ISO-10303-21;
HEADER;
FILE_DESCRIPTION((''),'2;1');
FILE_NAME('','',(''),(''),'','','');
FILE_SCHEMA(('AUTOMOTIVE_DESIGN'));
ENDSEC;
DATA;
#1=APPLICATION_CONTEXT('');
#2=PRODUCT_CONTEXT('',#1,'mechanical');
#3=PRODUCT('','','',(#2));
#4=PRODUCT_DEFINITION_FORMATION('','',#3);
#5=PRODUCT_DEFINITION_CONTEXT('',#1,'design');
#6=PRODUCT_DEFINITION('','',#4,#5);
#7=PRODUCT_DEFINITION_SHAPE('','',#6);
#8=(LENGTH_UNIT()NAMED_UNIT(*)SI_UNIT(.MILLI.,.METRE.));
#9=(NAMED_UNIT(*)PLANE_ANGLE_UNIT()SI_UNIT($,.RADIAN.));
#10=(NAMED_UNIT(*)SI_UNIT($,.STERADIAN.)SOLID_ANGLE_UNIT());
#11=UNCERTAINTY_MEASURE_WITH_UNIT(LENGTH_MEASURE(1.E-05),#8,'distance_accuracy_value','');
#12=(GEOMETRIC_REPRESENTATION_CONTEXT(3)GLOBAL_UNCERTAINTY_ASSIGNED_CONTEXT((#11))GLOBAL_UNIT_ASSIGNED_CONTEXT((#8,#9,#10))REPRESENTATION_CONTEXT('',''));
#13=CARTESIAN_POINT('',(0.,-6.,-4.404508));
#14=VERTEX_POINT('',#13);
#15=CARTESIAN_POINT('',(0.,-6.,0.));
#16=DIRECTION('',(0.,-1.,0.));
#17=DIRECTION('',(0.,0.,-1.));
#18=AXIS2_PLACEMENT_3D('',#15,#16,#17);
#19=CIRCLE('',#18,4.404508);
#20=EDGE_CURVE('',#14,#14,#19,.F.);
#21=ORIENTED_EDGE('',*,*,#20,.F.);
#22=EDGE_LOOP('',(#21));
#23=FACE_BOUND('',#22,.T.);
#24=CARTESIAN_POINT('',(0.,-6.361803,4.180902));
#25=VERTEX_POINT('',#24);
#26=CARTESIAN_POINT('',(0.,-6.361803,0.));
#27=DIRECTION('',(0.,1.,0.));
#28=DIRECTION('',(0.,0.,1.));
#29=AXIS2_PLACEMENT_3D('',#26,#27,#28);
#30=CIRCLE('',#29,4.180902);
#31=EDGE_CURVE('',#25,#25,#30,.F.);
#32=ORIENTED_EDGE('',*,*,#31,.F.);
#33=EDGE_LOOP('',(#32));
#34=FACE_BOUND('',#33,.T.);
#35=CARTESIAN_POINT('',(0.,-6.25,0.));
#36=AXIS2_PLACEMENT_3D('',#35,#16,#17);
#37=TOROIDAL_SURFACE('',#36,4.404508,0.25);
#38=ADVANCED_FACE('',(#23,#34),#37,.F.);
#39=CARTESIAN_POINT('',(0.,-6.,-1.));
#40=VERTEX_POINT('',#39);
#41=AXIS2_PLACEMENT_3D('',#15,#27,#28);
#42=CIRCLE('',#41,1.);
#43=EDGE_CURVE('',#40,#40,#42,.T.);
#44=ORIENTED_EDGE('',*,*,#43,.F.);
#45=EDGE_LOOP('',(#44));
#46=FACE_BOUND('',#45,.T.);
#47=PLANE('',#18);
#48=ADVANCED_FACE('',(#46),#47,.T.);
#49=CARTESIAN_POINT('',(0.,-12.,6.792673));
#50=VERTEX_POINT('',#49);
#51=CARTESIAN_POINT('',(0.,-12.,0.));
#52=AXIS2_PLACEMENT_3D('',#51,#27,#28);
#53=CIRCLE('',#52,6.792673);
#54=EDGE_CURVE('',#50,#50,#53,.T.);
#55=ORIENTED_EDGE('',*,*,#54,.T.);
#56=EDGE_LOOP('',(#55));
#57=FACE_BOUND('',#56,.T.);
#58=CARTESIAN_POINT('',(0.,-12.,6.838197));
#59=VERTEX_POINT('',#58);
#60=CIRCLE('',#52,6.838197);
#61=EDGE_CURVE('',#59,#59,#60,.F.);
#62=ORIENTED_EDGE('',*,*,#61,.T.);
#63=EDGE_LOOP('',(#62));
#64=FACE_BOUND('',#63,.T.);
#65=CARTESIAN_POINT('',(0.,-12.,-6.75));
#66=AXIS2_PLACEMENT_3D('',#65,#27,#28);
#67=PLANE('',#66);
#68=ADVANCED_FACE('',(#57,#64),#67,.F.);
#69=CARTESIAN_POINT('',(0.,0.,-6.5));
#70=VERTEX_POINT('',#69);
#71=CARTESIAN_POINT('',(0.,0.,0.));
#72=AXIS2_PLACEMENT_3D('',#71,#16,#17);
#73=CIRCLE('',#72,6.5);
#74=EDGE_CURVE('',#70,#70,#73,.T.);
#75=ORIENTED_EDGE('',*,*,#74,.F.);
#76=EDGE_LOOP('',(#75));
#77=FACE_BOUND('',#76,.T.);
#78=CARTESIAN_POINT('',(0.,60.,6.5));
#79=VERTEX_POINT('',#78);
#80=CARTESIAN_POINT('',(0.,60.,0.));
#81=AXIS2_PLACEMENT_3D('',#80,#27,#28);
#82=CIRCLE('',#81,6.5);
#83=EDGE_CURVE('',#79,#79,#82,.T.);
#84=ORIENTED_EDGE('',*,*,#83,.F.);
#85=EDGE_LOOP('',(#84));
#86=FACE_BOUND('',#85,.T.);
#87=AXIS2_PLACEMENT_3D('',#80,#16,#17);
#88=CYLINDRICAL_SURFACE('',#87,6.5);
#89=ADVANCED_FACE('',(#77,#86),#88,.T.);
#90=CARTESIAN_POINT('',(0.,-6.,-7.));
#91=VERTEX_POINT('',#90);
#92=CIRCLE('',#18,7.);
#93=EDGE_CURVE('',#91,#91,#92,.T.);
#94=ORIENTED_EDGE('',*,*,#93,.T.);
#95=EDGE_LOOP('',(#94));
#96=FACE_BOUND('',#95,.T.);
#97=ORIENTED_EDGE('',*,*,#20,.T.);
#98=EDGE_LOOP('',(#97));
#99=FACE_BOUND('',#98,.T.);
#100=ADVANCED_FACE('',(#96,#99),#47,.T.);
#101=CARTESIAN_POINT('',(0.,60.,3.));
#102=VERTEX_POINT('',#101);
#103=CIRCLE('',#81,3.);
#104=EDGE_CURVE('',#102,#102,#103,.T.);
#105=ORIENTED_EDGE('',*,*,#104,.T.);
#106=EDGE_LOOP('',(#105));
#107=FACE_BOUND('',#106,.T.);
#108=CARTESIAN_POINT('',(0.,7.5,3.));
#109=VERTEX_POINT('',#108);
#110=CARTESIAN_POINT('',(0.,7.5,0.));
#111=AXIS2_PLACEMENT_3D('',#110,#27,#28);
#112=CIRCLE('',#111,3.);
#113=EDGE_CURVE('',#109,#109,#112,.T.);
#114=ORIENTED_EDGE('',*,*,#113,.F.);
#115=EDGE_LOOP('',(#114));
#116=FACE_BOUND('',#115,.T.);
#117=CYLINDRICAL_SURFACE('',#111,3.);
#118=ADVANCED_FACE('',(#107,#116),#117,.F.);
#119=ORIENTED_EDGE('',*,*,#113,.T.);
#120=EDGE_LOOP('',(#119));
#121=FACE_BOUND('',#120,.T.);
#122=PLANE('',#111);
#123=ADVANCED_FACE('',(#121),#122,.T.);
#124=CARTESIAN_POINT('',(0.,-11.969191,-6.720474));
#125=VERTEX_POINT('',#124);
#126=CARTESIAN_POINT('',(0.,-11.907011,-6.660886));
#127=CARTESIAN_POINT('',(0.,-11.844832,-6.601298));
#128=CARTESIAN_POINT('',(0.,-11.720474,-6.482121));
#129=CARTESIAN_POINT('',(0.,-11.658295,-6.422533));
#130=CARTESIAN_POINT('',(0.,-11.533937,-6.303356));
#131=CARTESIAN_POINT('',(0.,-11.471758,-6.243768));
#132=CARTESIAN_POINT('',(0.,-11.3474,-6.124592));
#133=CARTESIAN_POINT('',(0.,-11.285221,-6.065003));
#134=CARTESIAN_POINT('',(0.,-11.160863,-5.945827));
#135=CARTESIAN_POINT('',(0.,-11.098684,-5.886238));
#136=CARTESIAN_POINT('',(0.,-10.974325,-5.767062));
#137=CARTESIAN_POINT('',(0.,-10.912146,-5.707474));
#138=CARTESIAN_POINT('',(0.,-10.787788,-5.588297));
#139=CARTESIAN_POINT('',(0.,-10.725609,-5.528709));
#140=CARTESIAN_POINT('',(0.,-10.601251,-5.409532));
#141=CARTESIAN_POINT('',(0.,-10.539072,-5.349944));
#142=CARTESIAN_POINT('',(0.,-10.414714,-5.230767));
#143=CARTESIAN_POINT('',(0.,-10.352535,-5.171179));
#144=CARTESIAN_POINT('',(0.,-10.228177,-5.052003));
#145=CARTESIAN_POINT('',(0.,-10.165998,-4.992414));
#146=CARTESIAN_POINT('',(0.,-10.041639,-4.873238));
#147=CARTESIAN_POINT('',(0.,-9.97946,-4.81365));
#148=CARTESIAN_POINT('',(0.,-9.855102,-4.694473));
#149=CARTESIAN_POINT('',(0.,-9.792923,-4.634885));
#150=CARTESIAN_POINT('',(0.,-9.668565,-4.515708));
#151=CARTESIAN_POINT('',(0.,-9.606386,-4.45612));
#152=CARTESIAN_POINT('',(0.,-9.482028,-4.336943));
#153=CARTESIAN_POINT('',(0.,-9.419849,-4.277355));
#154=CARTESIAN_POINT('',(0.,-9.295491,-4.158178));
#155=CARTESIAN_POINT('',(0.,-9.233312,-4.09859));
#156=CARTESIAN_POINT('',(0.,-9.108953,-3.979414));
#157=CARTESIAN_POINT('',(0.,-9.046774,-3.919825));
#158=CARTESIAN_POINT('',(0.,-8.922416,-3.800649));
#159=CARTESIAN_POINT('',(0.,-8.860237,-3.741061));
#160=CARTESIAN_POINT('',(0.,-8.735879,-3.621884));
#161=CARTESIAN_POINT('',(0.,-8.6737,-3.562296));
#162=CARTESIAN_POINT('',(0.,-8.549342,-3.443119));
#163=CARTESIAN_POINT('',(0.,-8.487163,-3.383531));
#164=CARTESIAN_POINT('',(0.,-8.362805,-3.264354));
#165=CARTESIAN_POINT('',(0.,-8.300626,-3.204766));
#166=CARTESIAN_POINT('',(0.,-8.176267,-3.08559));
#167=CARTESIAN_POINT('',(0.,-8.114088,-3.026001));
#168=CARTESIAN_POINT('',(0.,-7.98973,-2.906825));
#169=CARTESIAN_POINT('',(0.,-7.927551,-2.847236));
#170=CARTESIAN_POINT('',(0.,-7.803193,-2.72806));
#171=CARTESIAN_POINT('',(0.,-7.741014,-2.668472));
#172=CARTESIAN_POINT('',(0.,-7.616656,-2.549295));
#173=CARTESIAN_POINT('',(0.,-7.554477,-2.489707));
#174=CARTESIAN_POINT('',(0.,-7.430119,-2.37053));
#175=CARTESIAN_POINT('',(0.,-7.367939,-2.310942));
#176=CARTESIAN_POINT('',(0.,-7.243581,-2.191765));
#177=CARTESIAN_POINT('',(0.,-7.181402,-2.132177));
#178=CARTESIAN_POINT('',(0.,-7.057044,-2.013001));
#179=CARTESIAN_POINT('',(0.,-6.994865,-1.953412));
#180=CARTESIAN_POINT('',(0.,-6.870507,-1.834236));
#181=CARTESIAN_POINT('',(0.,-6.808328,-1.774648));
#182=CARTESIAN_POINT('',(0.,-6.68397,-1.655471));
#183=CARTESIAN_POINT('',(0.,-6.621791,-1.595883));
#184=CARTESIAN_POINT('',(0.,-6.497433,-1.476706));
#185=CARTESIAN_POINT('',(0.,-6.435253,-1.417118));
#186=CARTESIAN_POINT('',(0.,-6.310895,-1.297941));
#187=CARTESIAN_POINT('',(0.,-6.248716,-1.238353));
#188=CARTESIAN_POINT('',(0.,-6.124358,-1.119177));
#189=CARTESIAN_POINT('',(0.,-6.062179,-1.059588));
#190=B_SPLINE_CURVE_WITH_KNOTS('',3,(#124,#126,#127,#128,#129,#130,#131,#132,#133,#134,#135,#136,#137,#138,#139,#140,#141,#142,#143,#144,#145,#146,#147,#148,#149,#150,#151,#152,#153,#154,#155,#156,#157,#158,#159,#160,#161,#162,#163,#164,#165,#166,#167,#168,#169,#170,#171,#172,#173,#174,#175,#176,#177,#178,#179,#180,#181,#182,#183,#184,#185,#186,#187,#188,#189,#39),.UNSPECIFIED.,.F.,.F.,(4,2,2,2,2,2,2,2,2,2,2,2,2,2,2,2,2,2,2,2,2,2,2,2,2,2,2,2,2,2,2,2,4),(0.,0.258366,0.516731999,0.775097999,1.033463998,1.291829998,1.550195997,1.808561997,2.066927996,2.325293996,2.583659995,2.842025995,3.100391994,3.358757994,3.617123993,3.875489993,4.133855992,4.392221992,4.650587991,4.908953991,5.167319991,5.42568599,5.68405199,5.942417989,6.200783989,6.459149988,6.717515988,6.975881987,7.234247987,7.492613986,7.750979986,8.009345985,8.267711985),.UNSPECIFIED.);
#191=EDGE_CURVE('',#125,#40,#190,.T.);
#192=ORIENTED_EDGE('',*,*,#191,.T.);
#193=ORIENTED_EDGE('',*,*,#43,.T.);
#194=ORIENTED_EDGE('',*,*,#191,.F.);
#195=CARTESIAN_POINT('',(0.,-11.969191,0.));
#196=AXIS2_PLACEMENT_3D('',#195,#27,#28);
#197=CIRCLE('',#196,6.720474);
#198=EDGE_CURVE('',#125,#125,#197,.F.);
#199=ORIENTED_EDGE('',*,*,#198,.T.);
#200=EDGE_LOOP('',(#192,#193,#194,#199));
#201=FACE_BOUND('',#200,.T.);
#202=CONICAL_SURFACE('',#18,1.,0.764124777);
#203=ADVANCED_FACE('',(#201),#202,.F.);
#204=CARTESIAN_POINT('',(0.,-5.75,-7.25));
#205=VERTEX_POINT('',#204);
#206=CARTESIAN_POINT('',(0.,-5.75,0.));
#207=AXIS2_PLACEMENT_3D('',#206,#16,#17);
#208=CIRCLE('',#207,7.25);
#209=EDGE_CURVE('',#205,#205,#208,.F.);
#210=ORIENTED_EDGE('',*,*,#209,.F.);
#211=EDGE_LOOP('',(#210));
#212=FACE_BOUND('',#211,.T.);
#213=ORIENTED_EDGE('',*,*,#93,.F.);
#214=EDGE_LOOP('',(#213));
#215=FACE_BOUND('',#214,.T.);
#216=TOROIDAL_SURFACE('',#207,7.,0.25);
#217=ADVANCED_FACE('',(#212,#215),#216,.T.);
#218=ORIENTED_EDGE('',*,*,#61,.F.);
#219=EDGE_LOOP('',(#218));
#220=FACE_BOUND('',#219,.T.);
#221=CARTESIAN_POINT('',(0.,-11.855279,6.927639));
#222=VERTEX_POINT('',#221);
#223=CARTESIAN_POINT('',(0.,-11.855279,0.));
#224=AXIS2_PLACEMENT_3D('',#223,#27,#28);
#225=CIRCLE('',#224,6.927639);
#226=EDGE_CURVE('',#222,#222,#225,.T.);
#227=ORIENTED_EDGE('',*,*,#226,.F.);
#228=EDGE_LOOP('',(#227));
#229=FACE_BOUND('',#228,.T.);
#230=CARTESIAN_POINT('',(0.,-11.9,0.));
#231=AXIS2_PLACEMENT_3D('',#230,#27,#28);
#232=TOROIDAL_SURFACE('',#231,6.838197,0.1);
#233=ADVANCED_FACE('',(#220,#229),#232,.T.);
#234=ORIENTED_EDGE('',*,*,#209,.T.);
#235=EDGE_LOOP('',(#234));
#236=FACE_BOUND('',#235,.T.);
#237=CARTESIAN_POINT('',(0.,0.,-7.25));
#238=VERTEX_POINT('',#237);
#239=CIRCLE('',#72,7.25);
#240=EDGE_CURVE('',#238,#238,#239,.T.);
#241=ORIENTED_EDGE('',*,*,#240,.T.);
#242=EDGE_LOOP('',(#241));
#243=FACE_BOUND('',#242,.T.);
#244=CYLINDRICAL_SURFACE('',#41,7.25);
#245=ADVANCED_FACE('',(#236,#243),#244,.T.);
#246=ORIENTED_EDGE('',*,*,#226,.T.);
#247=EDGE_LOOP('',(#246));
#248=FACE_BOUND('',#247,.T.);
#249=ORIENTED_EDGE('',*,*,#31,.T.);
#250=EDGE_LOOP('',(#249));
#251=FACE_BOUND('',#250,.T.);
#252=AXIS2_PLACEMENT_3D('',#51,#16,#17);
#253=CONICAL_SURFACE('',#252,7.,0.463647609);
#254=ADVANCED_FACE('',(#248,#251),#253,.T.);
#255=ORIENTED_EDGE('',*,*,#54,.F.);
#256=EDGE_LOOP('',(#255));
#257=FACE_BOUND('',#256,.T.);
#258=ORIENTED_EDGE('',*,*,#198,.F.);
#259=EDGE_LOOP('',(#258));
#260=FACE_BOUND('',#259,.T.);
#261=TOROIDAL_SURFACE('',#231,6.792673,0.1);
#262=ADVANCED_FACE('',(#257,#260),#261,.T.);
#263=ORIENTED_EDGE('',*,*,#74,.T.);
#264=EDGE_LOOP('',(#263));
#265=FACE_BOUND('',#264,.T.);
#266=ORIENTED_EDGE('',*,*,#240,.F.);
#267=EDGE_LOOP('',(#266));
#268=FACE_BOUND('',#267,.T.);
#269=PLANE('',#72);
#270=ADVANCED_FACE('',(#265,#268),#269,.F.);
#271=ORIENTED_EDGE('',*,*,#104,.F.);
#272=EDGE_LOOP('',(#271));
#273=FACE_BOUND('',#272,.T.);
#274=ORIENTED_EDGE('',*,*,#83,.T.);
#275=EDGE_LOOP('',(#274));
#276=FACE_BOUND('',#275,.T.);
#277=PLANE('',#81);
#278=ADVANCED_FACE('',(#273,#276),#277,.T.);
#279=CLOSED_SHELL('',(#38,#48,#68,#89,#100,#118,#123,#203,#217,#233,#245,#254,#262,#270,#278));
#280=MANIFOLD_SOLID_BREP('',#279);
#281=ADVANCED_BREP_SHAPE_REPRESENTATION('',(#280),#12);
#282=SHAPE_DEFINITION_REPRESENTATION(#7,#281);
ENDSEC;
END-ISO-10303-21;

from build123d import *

# Parameters (mm, degrees)
SKETCH1_R           = 6.5
BOSS_EXTRUDE1_DEPTH = 60
SKETCH2_R           = 3
INNER_CHAMBER_DEPTH = 52.5
SKETCH4_R           = 7.25
BOSS_EXTRUDE2_DEPTH = 6
FILLET4_R           = 0.1
FILLET5_R           = 0.25
FILLET6_R           = 0.25


with BuildPart() as part:
    # Sketch1 → Boss-Extrude1 (new body)
    with BuildSketch(Plane(origin=(0, 0, 0), x_dir=(1, 0, 0), z_dir=(0, 1, 0))):
        with Locations(Location((0, 0, 0), (0, 0, 270))):
            Circle(SKETCH1_R)
    extrude(amount=BOSS_EXTRUDE1_DEPTH)

    # Sketch2 → Inner Chamber (cut)
    with BuildSketch(Plane(origin=(0, 60, 0), x_dir=(1, 0, 0), z_dir=(0, 1, 0))):
        with Locations(Location((0, 0, 0), (0, 0, 270))):
            Circle(SKETCH2_R)
    extrude(amount=-INNER_CHAMBER_DEPTH, mode=Mode.SUBTRACT)

    # Sketch4 → Boss-Extrude2 (add)
    with BuildSketch(Plane.XZ):
        with Locations(Location((0, 0, 0), (0, 0, 270))):
            Circle(SKETCH4_R)
    extrude(amount=BOSS_EXTRUDE2_DEPTH)

    # Sketch6 → Revolve1 (revolve)
    with BuildSketch(Plane(origin=(0, 0, 0), x_dir=(0, 0, -1), z_dir=(1, 0, 0))):
        Polygon((1, -6), (6.75, -12), (7, -12), (4, -6), align=None)
    revolve(axis=Axis((0, -6, 0), (0, -1, 0)))

    # Fillet4
    fillet4_edges = [part.edges().sort_by_distance(p)[0] for p in [
        (0, -12, 7),
        (0, -12, 6.75),
    ]]
    fillet(fillet4_edges, radius=FILLET4_R)

    # Fillet5
    fillet5_edges = [part.edges().sort_by_distance(p)[0] for p in [
        (0, -6, 7.25),
    ]]
    fillet(fillet5_edges, radius=FILLET5_R)

    # Fillet6
    fillet6_edges = [part.edges().sort_by_distance(p)[0] for p in [
        (0, -6, 4),
    ]]
    fillet(fillet6_edges, radius=FILLET6_R)


solid = part.part
